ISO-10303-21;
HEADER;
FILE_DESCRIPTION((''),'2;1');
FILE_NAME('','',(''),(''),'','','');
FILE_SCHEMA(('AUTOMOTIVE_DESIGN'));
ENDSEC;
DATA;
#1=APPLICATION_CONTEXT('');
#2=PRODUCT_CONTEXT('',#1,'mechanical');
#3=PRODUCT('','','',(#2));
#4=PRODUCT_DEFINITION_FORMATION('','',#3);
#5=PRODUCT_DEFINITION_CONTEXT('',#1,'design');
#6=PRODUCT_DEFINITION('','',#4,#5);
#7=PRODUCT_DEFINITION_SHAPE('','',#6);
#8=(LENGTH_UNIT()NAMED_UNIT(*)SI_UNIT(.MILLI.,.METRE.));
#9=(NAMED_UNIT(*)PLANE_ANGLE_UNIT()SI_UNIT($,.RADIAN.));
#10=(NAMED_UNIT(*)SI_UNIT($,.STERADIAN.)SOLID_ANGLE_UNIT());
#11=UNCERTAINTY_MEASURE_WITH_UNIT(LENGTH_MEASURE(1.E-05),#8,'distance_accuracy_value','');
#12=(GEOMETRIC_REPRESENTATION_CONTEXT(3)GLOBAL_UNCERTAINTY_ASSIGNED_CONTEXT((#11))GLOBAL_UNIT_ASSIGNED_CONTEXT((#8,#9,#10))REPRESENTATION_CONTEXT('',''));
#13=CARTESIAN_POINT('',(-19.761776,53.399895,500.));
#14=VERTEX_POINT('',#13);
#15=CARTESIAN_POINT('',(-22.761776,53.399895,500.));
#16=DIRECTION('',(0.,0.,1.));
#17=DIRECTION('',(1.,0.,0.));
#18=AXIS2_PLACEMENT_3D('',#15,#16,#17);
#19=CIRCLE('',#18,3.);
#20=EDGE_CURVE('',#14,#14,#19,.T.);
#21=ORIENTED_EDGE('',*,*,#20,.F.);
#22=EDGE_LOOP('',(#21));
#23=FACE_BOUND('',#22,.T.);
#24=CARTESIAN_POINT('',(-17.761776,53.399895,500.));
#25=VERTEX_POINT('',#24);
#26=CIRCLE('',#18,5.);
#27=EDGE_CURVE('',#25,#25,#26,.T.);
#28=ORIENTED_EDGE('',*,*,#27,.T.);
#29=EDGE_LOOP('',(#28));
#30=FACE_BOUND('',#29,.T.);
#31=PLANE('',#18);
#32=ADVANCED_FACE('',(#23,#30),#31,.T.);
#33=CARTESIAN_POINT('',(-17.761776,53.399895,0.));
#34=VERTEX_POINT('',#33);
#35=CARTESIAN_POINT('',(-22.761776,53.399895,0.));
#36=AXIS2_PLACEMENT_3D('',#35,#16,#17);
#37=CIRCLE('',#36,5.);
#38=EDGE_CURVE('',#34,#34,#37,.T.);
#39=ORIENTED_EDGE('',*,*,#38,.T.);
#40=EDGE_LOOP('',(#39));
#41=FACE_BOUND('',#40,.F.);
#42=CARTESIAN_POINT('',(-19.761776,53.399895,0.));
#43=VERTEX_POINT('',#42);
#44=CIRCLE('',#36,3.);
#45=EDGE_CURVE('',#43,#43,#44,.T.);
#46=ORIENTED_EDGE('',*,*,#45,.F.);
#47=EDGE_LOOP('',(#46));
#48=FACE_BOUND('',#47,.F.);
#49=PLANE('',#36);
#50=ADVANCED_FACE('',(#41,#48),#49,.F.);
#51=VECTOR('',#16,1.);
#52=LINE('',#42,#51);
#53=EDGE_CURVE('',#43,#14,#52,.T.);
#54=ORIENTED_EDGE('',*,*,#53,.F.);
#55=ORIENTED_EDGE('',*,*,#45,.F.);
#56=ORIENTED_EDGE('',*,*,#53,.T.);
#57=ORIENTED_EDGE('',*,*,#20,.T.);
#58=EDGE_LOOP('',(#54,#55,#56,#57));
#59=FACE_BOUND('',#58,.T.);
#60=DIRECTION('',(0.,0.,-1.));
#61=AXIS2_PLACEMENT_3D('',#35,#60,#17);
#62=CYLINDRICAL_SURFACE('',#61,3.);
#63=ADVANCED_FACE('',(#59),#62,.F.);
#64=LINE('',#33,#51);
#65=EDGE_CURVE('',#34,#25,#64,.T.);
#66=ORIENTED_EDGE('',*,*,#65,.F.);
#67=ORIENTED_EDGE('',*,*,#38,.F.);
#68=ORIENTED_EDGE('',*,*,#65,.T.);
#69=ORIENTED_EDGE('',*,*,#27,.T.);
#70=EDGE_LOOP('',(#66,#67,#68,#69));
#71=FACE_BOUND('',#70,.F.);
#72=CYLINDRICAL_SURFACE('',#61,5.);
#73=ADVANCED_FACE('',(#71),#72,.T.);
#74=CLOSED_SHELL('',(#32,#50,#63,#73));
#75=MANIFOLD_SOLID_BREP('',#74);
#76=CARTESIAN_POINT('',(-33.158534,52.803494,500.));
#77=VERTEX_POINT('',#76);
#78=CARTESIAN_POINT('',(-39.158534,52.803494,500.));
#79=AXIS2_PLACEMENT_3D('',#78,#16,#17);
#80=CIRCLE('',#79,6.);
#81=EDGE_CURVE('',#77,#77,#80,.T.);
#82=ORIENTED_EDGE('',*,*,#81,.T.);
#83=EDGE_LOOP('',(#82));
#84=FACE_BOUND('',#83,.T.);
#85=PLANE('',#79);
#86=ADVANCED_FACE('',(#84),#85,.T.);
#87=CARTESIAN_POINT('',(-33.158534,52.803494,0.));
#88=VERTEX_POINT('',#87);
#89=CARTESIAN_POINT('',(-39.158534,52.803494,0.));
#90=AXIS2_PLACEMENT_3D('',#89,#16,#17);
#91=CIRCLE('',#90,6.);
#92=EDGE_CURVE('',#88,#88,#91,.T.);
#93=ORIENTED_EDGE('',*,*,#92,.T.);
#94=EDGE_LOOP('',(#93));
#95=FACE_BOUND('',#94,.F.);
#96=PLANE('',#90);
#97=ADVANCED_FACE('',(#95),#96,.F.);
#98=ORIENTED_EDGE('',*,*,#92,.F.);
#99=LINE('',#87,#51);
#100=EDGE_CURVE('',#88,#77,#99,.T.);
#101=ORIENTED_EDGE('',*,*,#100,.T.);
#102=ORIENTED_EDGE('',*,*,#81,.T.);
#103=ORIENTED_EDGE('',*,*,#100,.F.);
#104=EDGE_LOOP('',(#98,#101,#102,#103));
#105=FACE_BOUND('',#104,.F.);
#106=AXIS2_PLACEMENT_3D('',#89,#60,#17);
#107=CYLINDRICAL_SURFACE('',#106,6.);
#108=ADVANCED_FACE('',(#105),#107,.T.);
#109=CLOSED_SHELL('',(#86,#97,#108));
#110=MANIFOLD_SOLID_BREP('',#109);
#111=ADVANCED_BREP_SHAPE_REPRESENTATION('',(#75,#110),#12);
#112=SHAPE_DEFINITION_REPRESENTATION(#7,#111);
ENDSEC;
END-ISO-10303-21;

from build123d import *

# Parameters (mm, degrees)
F0_R     = 6
F0_R_2   = 5
F0_R_3   = 3
F1_DEPTH = 500


with BuildPart() as f1:
    # F0 (on Top) → F1 (new body)
    with BuildSketch(Plane.XY):
        with Locations((-39.158534, 52.803494)):
            Circle(F0_R)
        with Locations((-22.761776, 53.399895)):
            Circle(F0_R_2)
        with Locations((-22.761776, 53.399895)):
            Circle(F0_R_3, mode=Mode.SUBTRACT)
    extrude(amount=F1_DEPTH)


solid = f1.part
